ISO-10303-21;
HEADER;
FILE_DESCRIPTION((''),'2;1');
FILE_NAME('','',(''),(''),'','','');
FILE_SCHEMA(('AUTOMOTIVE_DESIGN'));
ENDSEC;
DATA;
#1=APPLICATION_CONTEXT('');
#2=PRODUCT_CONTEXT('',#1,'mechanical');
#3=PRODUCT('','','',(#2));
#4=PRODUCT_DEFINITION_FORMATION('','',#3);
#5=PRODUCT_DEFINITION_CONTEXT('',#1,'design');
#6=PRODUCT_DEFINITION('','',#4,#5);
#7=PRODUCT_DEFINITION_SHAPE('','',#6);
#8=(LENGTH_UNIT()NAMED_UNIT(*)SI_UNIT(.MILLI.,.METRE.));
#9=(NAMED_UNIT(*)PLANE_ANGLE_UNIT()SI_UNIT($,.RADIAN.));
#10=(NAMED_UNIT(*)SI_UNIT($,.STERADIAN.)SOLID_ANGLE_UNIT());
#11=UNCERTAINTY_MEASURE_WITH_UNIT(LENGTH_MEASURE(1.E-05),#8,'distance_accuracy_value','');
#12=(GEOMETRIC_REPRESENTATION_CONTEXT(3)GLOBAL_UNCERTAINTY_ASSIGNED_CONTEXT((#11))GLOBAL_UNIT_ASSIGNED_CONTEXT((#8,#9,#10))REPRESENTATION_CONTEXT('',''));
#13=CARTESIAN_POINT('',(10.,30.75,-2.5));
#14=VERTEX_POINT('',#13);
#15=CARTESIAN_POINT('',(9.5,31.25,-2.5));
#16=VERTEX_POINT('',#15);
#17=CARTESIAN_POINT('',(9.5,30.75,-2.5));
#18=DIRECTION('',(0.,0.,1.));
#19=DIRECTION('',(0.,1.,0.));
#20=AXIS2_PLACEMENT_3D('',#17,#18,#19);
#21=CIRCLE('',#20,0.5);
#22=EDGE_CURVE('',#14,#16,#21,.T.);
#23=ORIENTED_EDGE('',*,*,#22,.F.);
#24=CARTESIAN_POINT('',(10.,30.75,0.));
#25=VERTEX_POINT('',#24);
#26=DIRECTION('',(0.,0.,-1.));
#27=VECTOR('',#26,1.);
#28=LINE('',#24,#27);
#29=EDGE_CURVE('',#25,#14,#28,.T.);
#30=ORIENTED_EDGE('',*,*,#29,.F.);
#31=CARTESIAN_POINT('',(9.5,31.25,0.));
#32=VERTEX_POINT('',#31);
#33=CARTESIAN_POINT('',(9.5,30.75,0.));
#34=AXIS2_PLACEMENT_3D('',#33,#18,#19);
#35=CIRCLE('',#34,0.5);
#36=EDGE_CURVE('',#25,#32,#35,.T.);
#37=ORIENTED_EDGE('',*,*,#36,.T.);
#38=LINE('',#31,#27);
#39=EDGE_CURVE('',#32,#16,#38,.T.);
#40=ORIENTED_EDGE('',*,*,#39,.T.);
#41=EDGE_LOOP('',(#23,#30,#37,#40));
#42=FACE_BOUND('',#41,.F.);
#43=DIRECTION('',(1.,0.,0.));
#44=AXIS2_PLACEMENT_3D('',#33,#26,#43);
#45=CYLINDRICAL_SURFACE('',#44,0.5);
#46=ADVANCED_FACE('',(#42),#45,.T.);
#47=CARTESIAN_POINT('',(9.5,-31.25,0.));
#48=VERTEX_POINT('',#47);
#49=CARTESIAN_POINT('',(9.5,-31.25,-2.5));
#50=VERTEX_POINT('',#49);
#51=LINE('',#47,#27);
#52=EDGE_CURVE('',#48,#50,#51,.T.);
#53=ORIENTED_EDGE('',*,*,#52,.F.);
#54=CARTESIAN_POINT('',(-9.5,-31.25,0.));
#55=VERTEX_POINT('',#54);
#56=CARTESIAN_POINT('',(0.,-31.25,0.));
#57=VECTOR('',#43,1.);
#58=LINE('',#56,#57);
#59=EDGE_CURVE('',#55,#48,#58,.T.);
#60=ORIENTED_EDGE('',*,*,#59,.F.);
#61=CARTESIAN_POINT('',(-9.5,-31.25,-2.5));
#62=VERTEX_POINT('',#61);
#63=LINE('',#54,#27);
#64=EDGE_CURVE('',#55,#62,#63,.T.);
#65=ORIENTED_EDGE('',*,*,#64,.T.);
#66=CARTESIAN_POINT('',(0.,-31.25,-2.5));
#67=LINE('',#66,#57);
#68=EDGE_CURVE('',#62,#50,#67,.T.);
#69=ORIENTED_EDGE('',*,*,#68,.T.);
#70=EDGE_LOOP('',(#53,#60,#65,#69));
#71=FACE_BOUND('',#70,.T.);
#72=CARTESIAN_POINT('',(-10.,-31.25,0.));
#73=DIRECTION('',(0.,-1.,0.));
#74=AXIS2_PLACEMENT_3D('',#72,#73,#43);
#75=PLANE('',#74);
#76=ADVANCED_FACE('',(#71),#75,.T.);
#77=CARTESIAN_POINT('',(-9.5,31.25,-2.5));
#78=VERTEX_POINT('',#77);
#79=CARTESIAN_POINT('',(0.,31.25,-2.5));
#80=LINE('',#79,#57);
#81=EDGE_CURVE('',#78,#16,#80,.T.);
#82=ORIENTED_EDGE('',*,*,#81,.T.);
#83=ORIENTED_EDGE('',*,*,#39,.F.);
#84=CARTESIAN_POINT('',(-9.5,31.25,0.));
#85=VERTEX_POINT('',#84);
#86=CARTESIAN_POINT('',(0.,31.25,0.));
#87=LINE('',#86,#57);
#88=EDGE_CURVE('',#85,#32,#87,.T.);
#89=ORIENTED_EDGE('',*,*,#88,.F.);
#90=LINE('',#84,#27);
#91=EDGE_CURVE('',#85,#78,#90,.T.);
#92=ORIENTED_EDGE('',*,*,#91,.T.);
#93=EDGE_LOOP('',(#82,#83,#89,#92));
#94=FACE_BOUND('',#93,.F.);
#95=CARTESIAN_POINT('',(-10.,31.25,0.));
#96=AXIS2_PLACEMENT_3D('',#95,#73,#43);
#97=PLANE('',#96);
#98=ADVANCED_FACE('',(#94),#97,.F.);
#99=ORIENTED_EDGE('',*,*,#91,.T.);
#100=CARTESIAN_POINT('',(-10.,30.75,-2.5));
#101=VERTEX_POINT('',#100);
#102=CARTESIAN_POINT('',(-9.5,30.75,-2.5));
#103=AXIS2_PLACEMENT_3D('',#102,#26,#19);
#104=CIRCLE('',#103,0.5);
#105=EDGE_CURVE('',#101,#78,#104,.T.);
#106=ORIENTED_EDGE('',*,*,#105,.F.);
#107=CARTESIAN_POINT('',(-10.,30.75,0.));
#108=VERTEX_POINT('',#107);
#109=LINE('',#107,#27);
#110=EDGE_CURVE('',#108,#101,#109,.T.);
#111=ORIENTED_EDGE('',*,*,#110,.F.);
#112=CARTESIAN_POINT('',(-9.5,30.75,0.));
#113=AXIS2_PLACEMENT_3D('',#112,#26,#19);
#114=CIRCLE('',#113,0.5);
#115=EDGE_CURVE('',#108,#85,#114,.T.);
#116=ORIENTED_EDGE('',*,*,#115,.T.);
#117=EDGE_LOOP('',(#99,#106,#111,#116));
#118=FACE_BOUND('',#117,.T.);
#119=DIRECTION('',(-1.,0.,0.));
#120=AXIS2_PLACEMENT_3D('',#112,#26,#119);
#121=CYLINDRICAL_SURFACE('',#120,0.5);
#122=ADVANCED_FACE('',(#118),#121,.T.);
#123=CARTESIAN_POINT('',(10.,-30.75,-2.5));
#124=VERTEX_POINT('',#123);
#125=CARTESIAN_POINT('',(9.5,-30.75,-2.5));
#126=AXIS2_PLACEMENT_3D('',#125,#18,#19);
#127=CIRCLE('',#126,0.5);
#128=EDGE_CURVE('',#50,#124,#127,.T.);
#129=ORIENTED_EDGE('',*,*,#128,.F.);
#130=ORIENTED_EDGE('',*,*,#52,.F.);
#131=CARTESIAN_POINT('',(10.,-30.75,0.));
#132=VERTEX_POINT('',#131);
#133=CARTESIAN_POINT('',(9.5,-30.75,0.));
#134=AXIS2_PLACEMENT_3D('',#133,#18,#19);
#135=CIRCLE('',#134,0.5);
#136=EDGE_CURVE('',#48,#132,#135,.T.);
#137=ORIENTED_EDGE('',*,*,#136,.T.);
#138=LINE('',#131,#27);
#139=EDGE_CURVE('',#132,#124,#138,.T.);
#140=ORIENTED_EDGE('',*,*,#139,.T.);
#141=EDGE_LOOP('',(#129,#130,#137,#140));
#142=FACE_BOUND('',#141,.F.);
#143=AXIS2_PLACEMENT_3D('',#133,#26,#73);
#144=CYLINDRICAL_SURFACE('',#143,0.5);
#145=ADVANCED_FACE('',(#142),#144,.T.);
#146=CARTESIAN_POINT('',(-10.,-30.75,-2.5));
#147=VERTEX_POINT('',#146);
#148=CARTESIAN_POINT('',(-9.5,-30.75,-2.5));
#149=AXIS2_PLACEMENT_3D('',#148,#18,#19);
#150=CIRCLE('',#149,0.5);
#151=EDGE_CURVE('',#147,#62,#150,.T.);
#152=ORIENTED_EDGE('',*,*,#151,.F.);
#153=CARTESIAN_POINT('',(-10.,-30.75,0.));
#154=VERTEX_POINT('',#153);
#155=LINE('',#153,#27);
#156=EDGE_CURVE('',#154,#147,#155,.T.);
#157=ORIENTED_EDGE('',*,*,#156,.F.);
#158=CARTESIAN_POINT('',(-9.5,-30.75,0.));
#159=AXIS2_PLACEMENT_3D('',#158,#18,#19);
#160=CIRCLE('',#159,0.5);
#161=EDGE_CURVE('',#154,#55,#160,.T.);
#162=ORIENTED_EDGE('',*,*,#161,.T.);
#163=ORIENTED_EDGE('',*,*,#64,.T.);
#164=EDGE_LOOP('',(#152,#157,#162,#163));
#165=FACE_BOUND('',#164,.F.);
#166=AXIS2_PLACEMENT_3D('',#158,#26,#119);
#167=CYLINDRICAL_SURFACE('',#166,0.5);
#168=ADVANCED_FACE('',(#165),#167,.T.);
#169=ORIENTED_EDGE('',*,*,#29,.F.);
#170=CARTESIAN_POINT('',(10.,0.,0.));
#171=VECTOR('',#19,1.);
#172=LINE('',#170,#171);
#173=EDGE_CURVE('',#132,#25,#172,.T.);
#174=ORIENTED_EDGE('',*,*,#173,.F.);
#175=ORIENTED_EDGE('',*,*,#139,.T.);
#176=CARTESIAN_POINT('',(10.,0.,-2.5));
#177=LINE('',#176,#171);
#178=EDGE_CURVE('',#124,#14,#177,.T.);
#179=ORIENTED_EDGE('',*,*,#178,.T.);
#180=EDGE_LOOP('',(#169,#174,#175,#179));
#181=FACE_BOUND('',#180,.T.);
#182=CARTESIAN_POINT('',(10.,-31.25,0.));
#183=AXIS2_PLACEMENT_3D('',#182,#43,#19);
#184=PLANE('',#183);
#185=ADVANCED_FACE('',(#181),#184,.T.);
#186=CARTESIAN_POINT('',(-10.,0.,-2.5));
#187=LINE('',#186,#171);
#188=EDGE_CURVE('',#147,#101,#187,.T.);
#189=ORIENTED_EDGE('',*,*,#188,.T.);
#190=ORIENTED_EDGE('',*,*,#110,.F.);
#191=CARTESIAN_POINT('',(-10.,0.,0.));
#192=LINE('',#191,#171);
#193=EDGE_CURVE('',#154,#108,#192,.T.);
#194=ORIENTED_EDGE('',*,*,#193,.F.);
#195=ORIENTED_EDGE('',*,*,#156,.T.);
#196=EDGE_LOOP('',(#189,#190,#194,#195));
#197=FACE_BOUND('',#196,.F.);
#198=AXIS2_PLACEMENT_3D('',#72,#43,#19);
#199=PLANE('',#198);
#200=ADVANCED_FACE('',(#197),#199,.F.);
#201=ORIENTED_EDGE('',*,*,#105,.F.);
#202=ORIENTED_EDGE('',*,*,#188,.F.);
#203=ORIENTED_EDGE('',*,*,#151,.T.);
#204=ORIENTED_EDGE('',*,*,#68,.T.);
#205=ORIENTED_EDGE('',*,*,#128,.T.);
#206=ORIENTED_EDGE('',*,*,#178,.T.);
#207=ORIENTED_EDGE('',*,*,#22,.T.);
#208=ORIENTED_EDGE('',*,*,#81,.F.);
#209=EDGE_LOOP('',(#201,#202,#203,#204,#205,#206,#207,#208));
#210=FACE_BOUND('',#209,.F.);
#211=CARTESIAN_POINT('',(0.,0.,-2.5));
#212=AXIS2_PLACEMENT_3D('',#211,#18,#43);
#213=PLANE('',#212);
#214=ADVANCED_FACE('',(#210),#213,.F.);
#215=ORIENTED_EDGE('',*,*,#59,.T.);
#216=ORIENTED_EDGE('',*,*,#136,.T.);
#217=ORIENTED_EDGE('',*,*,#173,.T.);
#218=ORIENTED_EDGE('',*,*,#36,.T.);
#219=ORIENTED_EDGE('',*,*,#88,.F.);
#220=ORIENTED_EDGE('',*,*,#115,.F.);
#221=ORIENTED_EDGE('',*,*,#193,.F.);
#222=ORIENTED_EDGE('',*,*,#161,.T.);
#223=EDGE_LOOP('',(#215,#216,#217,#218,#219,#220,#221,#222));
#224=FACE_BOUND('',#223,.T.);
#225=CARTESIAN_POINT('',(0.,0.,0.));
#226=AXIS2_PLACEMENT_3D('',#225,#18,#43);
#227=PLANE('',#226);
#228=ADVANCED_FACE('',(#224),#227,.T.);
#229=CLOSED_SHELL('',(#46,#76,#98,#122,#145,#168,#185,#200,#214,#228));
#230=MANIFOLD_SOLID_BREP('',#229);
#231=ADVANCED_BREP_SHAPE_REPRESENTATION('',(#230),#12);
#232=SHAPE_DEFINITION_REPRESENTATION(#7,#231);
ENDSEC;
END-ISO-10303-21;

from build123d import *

# Parameters (mm, degrees)
F0_W     = 40
F0_H     = 125
F1_DEPTH = 5
F2_R     = 1
F3_SCALE = 0.5


with BuildPart() as f1:
    # F0 (on Top) → F1 (new body)
    with BuildSketch(Plane.XY):
        Rectangle(F0_W, F0_H)
    extrude(amount=-F1_DEPTH)

    # F2
    f2_edges = [f1.edges().sort_by_distance(p)[0] for p in [
        (-20, -62.5, -2.5),
        (-20, 62.5, -2.5),
        (20, -62.5, -2.5),
        (20, 62.5, -2.5),
    ]]
    fillet(f2_edges, radius=F2_R)


with BuildPart() as f1_1:
    # F3: moved
    add(f1.part.scale(F3_SCALE))


solid = f1_1.part
